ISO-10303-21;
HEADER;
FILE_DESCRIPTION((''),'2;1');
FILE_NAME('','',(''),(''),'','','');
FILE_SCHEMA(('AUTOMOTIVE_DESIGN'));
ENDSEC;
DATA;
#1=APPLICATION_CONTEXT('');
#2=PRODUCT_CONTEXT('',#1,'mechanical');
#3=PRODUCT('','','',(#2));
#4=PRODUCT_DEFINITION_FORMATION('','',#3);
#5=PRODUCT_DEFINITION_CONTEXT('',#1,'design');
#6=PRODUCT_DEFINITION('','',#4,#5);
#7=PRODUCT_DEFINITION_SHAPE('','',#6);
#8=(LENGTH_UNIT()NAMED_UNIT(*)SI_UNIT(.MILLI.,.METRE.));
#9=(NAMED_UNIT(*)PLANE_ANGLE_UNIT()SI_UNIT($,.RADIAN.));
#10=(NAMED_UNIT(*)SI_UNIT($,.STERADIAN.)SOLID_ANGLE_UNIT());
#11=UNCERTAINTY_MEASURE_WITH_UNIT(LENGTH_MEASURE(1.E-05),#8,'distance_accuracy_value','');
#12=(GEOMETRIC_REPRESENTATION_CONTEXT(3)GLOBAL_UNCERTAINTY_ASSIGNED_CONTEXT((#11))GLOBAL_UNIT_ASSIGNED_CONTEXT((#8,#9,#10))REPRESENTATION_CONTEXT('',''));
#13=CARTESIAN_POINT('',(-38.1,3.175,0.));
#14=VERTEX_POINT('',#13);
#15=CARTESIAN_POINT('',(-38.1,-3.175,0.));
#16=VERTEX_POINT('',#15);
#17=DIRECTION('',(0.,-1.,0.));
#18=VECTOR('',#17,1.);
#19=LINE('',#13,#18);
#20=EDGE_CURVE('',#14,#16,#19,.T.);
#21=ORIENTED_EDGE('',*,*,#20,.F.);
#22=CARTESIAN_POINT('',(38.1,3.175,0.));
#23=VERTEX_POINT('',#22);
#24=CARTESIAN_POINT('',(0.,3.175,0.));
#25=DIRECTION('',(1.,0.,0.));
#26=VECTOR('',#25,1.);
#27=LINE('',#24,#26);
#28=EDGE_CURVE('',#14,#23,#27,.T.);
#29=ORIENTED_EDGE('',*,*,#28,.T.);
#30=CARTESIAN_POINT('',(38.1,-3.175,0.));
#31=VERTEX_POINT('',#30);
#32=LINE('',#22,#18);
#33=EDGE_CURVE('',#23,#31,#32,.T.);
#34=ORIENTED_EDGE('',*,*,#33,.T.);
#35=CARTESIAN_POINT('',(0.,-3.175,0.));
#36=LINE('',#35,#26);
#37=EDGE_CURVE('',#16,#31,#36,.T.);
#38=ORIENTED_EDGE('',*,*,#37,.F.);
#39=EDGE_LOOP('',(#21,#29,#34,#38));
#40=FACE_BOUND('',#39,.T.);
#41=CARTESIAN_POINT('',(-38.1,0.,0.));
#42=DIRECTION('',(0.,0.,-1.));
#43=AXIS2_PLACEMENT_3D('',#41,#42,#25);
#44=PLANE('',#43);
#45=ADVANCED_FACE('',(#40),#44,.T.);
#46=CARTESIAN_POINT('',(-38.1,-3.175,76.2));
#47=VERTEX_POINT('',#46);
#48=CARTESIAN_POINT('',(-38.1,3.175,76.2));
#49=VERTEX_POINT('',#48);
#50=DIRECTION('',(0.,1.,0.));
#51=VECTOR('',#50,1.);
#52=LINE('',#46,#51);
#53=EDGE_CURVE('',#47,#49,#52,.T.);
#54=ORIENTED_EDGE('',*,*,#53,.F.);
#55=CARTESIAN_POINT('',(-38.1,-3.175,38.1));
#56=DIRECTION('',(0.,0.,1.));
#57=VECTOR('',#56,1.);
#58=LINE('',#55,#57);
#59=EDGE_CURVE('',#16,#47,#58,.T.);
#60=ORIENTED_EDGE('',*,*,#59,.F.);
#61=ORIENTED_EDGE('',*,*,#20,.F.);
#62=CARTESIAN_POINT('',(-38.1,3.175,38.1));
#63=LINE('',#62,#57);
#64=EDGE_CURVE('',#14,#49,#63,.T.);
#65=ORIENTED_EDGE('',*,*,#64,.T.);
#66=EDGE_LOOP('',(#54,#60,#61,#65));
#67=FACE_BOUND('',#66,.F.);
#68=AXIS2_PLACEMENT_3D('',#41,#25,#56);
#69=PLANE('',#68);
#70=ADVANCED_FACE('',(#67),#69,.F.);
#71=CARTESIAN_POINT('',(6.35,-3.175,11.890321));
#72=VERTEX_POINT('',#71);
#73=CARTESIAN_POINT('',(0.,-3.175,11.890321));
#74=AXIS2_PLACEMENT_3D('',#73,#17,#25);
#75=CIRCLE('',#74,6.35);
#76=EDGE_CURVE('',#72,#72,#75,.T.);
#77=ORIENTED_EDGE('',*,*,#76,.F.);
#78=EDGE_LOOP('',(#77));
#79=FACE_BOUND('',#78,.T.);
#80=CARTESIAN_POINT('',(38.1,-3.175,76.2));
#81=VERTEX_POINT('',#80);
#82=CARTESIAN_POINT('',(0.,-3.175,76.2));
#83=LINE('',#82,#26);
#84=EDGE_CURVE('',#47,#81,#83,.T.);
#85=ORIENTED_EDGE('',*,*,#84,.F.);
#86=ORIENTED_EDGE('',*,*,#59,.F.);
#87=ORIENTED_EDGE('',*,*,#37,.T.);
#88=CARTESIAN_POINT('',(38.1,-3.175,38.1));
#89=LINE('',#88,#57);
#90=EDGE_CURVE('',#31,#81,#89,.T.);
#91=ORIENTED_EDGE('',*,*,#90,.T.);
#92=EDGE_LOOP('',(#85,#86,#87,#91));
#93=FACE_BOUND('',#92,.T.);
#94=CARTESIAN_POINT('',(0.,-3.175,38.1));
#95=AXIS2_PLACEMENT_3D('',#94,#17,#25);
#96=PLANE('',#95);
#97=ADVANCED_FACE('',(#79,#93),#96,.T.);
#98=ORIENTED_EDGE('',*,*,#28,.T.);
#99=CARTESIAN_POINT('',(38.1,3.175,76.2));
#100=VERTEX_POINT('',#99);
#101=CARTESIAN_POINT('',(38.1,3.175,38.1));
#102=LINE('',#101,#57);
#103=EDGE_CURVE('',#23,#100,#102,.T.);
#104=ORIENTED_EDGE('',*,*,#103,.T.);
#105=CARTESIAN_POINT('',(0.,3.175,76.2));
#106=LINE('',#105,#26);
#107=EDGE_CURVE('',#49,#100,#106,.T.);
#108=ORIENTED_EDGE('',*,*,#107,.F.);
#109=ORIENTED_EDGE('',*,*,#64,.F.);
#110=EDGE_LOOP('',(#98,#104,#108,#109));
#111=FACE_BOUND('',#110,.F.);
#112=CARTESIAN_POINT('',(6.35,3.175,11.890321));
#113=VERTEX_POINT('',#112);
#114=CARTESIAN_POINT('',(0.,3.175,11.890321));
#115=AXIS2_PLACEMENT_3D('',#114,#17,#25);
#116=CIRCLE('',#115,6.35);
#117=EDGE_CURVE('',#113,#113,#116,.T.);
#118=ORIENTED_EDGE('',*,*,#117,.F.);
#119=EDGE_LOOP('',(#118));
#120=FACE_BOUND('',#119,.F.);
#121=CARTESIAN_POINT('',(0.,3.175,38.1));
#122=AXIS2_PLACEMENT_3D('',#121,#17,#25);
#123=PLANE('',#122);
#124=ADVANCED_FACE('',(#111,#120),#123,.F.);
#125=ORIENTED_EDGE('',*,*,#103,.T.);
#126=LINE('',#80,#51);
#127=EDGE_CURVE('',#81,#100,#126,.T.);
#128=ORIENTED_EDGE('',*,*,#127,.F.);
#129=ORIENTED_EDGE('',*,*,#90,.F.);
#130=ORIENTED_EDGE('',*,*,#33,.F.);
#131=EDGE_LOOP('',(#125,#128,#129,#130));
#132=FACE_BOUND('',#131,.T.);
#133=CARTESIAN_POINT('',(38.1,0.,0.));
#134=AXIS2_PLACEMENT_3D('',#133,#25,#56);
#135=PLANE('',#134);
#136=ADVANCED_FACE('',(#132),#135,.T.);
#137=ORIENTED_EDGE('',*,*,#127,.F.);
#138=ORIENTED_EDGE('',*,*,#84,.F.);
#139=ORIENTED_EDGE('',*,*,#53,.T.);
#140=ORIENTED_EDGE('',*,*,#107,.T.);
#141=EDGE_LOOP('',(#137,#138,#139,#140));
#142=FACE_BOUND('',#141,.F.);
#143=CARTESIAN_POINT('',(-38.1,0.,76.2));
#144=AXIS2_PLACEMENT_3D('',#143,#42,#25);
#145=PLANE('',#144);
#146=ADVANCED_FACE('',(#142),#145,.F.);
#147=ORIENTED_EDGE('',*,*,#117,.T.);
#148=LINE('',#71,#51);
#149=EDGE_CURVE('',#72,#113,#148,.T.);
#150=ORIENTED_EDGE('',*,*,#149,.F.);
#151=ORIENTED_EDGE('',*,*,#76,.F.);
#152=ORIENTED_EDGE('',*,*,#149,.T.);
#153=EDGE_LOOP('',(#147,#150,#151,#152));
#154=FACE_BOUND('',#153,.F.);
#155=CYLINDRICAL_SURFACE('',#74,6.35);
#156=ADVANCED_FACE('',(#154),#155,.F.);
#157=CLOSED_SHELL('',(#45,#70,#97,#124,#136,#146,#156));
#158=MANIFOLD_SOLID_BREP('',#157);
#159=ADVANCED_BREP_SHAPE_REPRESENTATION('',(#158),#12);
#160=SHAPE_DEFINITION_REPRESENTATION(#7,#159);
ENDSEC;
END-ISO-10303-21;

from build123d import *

# Parameters (mm, degrees)
F0_W     = 76.2
F0_H     = 76.2
F1_DEPTH = 3.175
F2_R     = 6.35
F3_DEPTH = 6.35


with BuildPart() as f1:
    # F0 (on Front) → F1 (new body, symmetric)
    with BuildSketch(Plane.XZ):
        with Locations((0, 38.1)):
            Rectangle(F0_W, F0_H)
    extrude(amount=F1_DEPTH, both=True)

    # F2 (on face) → F3 (cut)
    with BuildSketch(Plane.XZ.offset(3.175)):
        with Locations((0, 11.8903209027)):
            Circle(F2_R)
    extrude(amount=-F3_DEPTH, mode=Mode.SUBTRACT)


solid = f1.part
